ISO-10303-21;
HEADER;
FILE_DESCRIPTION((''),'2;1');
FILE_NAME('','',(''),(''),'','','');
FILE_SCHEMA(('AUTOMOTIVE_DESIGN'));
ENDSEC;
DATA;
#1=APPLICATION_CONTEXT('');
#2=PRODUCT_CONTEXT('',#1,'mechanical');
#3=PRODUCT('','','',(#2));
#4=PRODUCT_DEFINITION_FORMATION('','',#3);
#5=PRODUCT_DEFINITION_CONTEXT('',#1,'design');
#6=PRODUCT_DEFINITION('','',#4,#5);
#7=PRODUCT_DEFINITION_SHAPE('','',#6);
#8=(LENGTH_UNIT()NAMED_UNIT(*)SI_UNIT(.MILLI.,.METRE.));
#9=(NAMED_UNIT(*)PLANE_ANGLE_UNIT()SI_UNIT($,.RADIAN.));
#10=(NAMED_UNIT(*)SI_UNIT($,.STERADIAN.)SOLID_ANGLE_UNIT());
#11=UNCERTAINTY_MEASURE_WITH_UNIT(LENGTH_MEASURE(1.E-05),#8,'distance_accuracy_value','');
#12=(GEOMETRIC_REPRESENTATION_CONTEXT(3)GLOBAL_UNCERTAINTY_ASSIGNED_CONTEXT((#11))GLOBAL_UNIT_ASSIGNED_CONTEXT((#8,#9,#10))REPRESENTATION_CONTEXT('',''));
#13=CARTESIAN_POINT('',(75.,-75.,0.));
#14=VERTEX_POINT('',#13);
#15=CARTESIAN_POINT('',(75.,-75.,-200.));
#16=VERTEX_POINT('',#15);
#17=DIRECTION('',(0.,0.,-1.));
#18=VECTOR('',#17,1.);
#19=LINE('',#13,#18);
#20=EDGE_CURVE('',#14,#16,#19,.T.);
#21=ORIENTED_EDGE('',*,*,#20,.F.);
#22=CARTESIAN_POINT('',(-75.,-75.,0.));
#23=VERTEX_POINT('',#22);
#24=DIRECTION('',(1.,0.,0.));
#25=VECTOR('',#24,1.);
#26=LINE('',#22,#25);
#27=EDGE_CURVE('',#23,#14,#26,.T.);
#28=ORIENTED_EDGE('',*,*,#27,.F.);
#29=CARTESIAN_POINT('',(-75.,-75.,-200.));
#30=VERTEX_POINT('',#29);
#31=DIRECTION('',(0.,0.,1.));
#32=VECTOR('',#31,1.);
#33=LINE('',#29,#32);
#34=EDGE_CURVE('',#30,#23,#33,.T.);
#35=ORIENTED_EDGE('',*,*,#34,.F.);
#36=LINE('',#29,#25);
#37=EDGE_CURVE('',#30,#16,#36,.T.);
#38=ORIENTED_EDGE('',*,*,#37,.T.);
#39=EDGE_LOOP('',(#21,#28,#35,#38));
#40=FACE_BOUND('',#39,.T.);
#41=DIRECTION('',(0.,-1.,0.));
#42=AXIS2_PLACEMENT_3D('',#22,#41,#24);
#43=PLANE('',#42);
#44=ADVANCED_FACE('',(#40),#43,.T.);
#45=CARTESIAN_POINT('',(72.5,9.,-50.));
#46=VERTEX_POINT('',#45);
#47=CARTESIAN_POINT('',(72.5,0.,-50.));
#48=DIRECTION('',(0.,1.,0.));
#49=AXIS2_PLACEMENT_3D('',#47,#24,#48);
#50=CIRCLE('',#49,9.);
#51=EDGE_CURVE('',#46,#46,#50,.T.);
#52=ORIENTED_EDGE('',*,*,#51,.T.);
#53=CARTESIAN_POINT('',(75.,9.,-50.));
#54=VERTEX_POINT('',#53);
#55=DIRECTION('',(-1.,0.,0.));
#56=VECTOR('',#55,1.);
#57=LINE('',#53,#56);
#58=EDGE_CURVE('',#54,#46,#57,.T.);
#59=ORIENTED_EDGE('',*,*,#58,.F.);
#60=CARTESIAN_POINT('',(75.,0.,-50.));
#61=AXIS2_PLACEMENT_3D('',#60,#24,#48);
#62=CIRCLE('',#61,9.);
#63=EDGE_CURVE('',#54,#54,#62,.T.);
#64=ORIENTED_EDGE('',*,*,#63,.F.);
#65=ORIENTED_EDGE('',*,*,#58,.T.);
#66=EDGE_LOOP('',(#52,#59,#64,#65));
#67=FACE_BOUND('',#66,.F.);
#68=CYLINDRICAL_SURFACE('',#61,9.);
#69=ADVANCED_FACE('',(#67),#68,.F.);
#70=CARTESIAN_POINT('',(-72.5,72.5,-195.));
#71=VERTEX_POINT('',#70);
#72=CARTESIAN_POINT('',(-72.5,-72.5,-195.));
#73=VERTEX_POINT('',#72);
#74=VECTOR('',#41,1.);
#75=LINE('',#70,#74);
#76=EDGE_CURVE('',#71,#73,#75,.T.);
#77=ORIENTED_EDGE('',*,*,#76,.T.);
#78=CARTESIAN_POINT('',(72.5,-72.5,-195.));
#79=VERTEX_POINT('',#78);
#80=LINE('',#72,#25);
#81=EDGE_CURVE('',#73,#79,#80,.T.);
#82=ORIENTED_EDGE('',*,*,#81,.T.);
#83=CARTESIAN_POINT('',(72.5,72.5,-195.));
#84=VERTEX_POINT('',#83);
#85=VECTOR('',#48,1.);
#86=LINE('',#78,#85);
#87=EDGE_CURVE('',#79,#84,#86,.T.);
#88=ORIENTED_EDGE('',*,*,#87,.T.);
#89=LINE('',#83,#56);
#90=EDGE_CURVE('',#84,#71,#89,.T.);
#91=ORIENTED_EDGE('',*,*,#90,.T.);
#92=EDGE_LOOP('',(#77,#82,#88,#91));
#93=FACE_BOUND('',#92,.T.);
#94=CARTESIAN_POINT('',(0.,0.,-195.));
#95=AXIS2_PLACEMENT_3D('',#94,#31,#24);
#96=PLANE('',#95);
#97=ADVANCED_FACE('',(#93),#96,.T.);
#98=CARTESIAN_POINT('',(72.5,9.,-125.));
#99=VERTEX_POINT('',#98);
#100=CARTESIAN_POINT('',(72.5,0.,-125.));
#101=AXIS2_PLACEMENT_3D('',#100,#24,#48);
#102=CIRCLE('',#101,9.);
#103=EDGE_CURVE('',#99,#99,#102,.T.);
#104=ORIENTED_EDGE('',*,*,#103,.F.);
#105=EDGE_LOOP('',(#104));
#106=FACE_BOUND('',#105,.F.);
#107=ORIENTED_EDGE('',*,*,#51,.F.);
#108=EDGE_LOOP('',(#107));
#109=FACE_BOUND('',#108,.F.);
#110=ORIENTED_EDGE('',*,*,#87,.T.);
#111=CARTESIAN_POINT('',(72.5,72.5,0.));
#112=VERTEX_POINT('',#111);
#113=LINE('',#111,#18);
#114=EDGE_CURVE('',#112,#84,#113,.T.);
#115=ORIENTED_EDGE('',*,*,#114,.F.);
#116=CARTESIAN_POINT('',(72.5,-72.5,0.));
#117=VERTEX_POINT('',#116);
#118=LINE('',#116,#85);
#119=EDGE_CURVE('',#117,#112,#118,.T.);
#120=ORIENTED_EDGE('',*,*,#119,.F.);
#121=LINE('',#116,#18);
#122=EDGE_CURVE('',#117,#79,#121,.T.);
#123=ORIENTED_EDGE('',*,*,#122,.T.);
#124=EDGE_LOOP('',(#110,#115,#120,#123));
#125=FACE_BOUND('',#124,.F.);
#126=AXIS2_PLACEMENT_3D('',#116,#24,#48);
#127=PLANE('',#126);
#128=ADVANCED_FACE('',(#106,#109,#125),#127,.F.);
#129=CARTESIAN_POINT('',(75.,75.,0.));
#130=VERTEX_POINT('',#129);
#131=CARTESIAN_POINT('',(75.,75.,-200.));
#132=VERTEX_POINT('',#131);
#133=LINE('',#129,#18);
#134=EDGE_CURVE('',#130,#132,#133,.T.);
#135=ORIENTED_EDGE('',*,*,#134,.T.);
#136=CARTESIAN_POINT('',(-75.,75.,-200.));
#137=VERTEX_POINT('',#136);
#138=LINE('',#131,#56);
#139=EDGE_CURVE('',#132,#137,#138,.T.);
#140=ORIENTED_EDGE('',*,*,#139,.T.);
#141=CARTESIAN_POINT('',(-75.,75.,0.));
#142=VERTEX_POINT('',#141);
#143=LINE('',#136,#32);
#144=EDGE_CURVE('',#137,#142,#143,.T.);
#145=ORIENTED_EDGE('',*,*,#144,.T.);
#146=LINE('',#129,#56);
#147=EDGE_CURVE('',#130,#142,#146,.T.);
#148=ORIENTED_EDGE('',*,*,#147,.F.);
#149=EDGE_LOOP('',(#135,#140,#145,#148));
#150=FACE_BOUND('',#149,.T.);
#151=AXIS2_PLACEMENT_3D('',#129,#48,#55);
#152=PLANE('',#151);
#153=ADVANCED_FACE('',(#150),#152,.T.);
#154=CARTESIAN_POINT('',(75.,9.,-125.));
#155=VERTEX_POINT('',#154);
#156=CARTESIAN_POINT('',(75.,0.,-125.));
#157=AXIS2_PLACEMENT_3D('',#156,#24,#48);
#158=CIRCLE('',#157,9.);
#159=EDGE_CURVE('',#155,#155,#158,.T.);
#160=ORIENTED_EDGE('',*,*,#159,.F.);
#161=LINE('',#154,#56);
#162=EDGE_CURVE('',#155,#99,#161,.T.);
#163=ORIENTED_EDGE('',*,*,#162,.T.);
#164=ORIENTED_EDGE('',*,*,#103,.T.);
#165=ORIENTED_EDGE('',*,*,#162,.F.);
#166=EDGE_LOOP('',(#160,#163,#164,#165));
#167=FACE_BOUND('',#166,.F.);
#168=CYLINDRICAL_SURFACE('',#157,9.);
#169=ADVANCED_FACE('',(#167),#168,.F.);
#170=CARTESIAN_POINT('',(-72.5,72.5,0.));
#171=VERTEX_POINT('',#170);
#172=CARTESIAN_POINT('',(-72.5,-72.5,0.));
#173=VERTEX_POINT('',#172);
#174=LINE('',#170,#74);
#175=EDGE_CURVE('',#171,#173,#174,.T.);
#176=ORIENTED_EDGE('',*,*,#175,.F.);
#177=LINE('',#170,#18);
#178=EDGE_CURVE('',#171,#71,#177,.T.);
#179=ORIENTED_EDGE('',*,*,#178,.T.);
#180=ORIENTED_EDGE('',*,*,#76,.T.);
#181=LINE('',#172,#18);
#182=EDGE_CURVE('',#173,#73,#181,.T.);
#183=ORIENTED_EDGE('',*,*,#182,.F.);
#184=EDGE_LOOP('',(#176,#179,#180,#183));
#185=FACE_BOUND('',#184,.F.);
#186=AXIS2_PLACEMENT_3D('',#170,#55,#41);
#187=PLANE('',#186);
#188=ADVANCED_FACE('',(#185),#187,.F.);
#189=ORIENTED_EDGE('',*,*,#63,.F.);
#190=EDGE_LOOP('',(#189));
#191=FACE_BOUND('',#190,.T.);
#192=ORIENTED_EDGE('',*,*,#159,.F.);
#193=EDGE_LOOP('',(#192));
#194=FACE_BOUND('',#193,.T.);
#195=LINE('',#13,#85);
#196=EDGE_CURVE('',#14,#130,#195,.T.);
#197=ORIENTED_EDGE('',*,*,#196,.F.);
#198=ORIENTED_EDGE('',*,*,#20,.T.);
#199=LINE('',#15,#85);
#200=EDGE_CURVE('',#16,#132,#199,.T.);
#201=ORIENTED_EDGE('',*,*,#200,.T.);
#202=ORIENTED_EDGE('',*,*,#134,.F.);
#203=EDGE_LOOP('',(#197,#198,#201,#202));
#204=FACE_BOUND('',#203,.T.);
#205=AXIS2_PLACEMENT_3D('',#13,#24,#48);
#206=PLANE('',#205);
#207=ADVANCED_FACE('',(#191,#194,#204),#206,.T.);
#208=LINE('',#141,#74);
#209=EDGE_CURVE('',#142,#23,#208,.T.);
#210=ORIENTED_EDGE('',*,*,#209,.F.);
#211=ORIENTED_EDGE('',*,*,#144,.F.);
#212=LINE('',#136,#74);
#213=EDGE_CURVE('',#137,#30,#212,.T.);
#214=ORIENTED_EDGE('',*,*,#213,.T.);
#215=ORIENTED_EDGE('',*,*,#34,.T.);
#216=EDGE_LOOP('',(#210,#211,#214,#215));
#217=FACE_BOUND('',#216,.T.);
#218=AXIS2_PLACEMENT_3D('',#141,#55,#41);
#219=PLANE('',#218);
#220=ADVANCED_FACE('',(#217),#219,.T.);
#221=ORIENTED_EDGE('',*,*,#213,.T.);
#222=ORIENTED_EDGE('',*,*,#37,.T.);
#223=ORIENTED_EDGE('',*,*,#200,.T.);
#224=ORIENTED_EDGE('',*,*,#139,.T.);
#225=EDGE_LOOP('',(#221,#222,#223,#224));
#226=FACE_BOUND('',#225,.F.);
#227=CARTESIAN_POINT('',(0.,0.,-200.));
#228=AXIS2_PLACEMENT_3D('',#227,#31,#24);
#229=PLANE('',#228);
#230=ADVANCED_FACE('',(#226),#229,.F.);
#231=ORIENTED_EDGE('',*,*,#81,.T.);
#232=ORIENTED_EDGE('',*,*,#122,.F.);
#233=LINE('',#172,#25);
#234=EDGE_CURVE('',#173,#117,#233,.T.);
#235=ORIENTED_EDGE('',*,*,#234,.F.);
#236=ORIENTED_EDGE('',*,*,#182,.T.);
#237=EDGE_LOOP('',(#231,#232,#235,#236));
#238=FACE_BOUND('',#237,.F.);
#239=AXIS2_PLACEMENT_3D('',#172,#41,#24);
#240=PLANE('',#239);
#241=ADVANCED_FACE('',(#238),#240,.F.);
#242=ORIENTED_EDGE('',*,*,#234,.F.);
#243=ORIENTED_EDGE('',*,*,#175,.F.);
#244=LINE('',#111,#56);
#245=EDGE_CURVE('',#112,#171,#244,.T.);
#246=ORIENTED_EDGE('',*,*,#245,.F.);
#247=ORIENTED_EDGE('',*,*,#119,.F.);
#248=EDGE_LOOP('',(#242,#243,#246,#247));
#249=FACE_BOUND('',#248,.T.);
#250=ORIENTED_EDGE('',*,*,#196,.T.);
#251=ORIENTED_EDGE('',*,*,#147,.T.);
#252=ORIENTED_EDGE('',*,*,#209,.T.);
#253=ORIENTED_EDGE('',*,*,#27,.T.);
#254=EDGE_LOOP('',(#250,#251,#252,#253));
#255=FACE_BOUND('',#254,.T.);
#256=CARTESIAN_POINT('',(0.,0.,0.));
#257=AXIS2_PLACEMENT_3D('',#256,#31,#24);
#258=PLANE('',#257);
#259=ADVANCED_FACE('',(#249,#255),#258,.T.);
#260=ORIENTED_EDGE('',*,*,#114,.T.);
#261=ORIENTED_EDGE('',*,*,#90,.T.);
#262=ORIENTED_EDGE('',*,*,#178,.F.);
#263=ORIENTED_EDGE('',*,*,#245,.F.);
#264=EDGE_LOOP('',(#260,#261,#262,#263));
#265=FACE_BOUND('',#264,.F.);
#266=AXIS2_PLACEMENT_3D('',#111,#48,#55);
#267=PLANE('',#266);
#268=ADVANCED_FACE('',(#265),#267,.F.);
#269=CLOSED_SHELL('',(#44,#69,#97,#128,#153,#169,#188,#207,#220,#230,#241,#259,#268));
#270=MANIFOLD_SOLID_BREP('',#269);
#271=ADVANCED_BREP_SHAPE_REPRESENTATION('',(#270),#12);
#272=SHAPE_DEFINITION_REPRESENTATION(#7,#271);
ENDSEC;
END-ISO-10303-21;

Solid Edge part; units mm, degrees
sketch "Sketch1" plane through (0, 0, 0) normal (0, 0, 1) x (1, 0, 0)
  line L0 (75, 75) -> (-75, 75)
  line L1 (-75, 75) -> (-75, -75)
  line L2 (-75, -75) -> (75, -75)
  line L3 (75, -75) -> (75, 75)
extrude "Protrusion1" add sketch "Sketch1" against normal blind 200
sketch "Sketch2" plane through (0, 0, 0) normal (0, 0, 1) x (1, 0, 0)
  line L0 (147.5, -147.5) -> (147.5, 147.5)
  line L1 (147.5, 147.5) -> (-147.5, 147.5)
  line L2 (-147.5, 147.5) -> (-147.5, -147.5)
  line L3 (-147.5, -147.5) -> (147.5, -147.5)
extrude "VaciadoExtruido_1" cut sketch "Sketch2" against normal blind 195
extrude "VaciadoExtruido_2" [suppressed]
extrude "VaciadoExtruido_3" [suppressed]
sketch "Sketch3" plane through (0, 0, 0) normal (0, 0, 1) x (1, 0, 0)
  line L0 (75, -75) -> (75, 75)
  line L1 (75, 75) -> (-75, 75)
  line L2 (-75, 75) -> (-75, -75)
  line L3 (-75, -75) -> (75, -75)
extrude "ProtrusiónExtruida_2" add sketch "Sketch3" against normal blind 200
sketch "Sketch4" plane through (0, 0, 0) normal (0, 0, 1) x (1, 0, 0)
  line L0 (72.5, -72.5) -> (72.5, 72.5)
  line L1 (72.5, 72.5) -> (-72.5, 72.5)
  line L2 (-72.5, 72.5) -> (-72.5, -72.5)
  line L3 (-72.5, -72.5) -> (72.5, -72.5)
extrude "VaciadoExtruido_4" cut sketch "Sketch4" against normal blind 195
sketch "Sketch5" plane through (75, 0, -100) normal (1, 0, 0) x (0, 1, 0)
  circle A0 centre (0, 50) radius 9
extrude "VaciadoExtruido_5" cut sketch "Sketch5" against normal blind 5
sketch "Sketch6" plane through (75, 0, -100) normal (1, 0, 0) x (0, 1, 0)
  circle A0 centre (0, -25) radius 9
extrude "VaciadoExtruido_6" cut sketch "Sketch6" against normal blind 5
